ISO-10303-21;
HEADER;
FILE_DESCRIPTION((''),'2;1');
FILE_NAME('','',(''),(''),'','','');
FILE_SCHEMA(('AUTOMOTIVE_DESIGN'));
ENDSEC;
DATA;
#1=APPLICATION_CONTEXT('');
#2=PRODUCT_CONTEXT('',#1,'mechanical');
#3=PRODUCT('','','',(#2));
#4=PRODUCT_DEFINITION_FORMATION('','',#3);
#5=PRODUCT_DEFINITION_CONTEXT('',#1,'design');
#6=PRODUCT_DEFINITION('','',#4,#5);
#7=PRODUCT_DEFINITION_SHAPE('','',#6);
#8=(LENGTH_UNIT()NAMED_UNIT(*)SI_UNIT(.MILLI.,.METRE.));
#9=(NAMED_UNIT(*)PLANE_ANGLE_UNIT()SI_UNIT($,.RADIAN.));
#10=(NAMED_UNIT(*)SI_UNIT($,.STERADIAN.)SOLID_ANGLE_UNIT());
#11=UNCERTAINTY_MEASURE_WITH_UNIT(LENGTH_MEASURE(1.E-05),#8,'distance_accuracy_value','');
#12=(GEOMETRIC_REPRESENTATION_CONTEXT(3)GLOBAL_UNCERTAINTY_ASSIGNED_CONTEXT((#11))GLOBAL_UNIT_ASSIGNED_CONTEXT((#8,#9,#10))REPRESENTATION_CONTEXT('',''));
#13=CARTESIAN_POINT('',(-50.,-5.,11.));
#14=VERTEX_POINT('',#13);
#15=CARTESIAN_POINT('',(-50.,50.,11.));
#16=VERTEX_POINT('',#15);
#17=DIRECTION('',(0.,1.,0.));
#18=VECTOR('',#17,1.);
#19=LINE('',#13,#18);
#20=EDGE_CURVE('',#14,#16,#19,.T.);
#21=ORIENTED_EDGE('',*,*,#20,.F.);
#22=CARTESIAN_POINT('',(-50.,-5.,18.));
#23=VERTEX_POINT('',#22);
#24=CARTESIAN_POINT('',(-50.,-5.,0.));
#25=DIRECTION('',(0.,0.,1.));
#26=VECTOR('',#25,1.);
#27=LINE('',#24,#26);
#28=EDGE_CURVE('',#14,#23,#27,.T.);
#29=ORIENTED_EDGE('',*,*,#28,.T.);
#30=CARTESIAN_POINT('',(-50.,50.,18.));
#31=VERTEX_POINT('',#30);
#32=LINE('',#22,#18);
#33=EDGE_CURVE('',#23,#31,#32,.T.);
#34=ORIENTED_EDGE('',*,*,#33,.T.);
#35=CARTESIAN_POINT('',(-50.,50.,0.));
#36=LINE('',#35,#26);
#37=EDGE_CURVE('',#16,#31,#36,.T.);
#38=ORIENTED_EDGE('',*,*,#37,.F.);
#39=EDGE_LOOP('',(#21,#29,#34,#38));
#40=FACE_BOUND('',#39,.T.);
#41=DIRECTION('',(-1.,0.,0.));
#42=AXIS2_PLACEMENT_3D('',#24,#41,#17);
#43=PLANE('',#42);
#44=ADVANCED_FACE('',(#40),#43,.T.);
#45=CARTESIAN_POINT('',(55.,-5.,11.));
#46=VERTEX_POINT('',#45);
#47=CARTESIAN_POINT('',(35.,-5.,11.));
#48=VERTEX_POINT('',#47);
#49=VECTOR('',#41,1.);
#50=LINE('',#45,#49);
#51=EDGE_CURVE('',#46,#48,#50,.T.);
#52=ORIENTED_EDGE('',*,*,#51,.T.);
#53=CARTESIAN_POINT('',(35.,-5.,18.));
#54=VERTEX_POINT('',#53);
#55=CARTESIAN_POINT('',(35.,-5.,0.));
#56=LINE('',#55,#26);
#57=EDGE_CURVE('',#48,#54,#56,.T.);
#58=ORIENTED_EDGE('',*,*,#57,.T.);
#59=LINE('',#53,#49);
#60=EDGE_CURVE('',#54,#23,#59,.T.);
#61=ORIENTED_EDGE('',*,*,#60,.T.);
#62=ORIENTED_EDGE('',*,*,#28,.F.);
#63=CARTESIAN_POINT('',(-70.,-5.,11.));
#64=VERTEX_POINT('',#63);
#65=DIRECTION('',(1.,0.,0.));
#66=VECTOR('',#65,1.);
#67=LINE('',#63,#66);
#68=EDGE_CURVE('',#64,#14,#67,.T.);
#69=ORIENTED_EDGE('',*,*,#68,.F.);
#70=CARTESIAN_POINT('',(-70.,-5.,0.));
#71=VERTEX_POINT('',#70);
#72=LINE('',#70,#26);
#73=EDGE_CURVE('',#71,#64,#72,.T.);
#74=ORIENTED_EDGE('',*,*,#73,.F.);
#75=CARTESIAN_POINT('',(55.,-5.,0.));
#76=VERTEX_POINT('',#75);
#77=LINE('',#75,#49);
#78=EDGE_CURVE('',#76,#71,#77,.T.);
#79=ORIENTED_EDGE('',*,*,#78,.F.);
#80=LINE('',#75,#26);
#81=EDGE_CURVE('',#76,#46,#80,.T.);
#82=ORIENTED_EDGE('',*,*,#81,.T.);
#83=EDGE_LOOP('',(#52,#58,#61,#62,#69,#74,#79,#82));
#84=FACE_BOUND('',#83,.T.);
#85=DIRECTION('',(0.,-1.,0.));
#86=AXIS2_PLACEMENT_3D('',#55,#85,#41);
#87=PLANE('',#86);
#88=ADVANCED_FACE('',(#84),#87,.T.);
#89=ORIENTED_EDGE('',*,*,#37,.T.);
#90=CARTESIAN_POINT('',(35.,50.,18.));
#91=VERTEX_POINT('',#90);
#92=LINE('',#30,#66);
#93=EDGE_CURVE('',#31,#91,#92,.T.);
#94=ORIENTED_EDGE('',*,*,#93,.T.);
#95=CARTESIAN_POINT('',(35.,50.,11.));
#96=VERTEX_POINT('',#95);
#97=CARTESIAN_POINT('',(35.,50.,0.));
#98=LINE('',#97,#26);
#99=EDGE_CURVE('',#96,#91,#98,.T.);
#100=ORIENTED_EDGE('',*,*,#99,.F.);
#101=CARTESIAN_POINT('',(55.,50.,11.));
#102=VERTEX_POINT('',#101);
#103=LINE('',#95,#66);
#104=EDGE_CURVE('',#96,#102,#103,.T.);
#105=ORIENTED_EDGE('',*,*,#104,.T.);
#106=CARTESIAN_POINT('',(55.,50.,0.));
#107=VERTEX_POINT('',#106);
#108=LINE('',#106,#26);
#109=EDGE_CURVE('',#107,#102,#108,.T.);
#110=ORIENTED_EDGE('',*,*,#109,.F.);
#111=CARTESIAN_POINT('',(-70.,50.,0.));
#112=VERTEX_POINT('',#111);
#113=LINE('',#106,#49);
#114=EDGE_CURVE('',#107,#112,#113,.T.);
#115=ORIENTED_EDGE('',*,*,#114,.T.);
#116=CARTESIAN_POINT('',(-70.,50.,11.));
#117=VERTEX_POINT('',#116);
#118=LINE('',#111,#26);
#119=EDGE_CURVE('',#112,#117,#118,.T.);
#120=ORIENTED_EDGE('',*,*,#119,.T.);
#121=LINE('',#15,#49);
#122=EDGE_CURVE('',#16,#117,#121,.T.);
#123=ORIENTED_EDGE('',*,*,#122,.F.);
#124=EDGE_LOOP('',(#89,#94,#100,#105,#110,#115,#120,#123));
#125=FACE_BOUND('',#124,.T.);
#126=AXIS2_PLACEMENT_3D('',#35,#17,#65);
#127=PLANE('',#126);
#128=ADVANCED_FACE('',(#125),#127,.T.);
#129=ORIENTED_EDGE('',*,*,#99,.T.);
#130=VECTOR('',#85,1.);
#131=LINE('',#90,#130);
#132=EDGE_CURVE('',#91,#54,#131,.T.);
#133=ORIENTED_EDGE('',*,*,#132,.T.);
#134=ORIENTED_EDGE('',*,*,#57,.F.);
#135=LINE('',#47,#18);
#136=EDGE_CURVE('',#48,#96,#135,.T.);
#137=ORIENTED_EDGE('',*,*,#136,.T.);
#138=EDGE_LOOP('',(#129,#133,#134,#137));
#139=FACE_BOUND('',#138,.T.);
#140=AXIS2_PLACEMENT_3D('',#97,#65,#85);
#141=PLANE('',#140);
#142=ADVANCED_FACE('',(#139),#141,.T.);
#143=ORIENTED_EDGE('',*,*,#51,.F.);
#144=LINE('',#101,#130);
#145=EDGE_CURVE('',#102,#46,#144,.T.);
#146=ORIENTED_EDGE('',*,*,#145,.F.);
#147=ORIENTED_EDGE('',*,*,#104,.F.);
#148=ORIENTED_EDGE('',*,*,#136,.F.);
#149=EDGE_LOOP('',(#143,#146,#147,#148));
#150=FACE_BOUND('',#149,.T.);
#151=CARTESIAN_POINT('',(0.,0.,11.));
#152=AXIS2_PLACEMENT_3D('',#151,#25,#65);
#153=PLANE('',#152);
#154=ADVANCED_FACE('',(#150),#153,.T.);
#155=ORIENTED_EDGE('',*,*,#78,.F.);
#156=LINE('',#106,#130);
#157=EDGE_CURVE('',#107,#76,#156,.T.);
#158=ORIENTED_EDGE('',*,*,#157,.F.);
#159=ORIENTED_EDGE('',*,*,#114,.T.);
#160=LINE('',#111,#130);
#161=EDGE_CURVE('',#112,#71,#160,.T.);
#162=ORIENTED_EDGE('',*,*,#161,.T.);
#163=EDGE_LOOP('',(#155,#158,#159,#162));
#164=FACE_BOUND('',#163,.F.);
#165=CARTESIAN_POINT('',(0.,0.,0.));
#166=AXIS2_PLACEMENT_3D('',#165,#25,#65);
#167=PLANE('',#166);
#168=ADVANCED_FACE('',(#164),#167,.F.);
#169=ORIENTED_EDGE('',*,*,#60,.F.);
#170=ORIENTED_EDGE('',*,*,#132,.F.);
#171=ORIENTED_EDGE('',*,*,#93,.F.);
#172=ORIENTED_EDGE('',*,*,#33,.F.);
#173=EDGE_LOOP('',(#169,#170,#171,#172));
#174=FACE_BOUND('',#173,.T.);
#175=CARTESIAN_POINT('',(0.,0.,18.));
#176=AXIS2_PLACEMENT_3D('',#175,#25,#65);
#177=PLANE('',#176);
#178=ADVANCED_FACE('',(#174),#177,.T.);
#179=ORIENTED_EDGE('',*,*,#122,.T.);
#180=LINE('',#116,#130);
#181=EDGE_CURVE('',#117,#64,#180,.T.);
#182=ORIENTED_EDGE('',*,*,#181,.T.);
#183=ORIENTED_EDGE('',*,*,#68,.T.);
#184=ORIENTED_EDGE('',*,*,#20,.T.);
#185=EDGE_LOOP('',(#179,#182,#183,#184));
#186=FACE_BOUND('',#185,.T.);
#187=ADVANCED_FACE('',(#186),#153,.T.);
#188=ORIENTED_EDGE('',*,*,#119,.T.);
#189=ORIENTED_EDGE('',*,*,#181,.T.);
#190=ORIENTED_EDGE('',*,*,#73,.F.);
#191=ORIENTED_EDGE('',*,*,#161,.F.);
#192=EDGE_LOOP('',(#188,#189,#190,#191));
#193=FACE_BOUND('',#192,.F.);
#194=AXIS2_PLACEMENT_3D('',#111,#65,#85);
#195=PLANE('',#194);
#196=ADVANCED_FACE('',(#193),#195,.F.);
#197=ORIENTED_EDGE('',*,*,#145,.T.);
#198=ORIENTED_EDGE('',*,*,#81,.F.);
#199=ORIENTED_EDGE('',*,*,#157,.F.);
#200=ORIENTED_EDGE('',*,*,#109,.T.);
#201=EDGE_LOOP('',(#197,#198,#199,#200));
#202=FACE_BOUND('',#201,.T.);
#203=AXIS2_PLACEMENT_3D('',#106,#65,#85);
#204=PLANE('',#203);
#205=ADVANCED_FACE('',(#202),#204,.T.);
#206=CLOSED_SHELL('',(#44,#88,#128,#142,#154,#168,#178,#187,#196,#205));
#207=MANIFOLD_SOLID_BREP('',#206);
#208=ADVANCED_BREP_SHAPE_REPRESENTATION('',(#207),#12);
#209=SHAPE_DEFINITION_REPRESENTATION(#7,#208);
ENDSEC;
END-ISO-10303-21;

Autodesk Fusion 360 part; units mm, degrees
sketch "Sketch1" plane through (0, 0, 0) normal (0, 0, 1) x (1, 0, 0)
  line L0 (-50, 50) -> (35, 50)
  line L1 (35, 50) -> (35, -5)
  line L2 (35, -5) -> (-50, -5)
  line L3 (-50, -5) -> (-50, 50)
extrude "Extrude1" add sketch "Sketch1" along normal blind 19
extrude "Extrude2" cut 1 faces at (-21.6667, 31.6667, 19) along direction (0, 0, -1) blind 1
sketch "Sketch2" plane through (0, 0, 0) normal (0, 0, 1) x (1, 0, 0)
  line L0 (35, 50) -> (55, 50)
  line L1 (55, 50) -> (55, -5)
  line L2 (55, -5) -> (35, -5)
  line L3 (35, -5) -> (35, 50)
  line L4 (-50, 50) -> (-70, 50)
  line L5 (-70, 50) -> (-70, -5)
  line L6 (-70, -5) -> (-50, -5)
  line L7 (-50, -5) -> (-50, 50)
extrude "Extrude3" add sketch "Sketch2" along normal blind 11
